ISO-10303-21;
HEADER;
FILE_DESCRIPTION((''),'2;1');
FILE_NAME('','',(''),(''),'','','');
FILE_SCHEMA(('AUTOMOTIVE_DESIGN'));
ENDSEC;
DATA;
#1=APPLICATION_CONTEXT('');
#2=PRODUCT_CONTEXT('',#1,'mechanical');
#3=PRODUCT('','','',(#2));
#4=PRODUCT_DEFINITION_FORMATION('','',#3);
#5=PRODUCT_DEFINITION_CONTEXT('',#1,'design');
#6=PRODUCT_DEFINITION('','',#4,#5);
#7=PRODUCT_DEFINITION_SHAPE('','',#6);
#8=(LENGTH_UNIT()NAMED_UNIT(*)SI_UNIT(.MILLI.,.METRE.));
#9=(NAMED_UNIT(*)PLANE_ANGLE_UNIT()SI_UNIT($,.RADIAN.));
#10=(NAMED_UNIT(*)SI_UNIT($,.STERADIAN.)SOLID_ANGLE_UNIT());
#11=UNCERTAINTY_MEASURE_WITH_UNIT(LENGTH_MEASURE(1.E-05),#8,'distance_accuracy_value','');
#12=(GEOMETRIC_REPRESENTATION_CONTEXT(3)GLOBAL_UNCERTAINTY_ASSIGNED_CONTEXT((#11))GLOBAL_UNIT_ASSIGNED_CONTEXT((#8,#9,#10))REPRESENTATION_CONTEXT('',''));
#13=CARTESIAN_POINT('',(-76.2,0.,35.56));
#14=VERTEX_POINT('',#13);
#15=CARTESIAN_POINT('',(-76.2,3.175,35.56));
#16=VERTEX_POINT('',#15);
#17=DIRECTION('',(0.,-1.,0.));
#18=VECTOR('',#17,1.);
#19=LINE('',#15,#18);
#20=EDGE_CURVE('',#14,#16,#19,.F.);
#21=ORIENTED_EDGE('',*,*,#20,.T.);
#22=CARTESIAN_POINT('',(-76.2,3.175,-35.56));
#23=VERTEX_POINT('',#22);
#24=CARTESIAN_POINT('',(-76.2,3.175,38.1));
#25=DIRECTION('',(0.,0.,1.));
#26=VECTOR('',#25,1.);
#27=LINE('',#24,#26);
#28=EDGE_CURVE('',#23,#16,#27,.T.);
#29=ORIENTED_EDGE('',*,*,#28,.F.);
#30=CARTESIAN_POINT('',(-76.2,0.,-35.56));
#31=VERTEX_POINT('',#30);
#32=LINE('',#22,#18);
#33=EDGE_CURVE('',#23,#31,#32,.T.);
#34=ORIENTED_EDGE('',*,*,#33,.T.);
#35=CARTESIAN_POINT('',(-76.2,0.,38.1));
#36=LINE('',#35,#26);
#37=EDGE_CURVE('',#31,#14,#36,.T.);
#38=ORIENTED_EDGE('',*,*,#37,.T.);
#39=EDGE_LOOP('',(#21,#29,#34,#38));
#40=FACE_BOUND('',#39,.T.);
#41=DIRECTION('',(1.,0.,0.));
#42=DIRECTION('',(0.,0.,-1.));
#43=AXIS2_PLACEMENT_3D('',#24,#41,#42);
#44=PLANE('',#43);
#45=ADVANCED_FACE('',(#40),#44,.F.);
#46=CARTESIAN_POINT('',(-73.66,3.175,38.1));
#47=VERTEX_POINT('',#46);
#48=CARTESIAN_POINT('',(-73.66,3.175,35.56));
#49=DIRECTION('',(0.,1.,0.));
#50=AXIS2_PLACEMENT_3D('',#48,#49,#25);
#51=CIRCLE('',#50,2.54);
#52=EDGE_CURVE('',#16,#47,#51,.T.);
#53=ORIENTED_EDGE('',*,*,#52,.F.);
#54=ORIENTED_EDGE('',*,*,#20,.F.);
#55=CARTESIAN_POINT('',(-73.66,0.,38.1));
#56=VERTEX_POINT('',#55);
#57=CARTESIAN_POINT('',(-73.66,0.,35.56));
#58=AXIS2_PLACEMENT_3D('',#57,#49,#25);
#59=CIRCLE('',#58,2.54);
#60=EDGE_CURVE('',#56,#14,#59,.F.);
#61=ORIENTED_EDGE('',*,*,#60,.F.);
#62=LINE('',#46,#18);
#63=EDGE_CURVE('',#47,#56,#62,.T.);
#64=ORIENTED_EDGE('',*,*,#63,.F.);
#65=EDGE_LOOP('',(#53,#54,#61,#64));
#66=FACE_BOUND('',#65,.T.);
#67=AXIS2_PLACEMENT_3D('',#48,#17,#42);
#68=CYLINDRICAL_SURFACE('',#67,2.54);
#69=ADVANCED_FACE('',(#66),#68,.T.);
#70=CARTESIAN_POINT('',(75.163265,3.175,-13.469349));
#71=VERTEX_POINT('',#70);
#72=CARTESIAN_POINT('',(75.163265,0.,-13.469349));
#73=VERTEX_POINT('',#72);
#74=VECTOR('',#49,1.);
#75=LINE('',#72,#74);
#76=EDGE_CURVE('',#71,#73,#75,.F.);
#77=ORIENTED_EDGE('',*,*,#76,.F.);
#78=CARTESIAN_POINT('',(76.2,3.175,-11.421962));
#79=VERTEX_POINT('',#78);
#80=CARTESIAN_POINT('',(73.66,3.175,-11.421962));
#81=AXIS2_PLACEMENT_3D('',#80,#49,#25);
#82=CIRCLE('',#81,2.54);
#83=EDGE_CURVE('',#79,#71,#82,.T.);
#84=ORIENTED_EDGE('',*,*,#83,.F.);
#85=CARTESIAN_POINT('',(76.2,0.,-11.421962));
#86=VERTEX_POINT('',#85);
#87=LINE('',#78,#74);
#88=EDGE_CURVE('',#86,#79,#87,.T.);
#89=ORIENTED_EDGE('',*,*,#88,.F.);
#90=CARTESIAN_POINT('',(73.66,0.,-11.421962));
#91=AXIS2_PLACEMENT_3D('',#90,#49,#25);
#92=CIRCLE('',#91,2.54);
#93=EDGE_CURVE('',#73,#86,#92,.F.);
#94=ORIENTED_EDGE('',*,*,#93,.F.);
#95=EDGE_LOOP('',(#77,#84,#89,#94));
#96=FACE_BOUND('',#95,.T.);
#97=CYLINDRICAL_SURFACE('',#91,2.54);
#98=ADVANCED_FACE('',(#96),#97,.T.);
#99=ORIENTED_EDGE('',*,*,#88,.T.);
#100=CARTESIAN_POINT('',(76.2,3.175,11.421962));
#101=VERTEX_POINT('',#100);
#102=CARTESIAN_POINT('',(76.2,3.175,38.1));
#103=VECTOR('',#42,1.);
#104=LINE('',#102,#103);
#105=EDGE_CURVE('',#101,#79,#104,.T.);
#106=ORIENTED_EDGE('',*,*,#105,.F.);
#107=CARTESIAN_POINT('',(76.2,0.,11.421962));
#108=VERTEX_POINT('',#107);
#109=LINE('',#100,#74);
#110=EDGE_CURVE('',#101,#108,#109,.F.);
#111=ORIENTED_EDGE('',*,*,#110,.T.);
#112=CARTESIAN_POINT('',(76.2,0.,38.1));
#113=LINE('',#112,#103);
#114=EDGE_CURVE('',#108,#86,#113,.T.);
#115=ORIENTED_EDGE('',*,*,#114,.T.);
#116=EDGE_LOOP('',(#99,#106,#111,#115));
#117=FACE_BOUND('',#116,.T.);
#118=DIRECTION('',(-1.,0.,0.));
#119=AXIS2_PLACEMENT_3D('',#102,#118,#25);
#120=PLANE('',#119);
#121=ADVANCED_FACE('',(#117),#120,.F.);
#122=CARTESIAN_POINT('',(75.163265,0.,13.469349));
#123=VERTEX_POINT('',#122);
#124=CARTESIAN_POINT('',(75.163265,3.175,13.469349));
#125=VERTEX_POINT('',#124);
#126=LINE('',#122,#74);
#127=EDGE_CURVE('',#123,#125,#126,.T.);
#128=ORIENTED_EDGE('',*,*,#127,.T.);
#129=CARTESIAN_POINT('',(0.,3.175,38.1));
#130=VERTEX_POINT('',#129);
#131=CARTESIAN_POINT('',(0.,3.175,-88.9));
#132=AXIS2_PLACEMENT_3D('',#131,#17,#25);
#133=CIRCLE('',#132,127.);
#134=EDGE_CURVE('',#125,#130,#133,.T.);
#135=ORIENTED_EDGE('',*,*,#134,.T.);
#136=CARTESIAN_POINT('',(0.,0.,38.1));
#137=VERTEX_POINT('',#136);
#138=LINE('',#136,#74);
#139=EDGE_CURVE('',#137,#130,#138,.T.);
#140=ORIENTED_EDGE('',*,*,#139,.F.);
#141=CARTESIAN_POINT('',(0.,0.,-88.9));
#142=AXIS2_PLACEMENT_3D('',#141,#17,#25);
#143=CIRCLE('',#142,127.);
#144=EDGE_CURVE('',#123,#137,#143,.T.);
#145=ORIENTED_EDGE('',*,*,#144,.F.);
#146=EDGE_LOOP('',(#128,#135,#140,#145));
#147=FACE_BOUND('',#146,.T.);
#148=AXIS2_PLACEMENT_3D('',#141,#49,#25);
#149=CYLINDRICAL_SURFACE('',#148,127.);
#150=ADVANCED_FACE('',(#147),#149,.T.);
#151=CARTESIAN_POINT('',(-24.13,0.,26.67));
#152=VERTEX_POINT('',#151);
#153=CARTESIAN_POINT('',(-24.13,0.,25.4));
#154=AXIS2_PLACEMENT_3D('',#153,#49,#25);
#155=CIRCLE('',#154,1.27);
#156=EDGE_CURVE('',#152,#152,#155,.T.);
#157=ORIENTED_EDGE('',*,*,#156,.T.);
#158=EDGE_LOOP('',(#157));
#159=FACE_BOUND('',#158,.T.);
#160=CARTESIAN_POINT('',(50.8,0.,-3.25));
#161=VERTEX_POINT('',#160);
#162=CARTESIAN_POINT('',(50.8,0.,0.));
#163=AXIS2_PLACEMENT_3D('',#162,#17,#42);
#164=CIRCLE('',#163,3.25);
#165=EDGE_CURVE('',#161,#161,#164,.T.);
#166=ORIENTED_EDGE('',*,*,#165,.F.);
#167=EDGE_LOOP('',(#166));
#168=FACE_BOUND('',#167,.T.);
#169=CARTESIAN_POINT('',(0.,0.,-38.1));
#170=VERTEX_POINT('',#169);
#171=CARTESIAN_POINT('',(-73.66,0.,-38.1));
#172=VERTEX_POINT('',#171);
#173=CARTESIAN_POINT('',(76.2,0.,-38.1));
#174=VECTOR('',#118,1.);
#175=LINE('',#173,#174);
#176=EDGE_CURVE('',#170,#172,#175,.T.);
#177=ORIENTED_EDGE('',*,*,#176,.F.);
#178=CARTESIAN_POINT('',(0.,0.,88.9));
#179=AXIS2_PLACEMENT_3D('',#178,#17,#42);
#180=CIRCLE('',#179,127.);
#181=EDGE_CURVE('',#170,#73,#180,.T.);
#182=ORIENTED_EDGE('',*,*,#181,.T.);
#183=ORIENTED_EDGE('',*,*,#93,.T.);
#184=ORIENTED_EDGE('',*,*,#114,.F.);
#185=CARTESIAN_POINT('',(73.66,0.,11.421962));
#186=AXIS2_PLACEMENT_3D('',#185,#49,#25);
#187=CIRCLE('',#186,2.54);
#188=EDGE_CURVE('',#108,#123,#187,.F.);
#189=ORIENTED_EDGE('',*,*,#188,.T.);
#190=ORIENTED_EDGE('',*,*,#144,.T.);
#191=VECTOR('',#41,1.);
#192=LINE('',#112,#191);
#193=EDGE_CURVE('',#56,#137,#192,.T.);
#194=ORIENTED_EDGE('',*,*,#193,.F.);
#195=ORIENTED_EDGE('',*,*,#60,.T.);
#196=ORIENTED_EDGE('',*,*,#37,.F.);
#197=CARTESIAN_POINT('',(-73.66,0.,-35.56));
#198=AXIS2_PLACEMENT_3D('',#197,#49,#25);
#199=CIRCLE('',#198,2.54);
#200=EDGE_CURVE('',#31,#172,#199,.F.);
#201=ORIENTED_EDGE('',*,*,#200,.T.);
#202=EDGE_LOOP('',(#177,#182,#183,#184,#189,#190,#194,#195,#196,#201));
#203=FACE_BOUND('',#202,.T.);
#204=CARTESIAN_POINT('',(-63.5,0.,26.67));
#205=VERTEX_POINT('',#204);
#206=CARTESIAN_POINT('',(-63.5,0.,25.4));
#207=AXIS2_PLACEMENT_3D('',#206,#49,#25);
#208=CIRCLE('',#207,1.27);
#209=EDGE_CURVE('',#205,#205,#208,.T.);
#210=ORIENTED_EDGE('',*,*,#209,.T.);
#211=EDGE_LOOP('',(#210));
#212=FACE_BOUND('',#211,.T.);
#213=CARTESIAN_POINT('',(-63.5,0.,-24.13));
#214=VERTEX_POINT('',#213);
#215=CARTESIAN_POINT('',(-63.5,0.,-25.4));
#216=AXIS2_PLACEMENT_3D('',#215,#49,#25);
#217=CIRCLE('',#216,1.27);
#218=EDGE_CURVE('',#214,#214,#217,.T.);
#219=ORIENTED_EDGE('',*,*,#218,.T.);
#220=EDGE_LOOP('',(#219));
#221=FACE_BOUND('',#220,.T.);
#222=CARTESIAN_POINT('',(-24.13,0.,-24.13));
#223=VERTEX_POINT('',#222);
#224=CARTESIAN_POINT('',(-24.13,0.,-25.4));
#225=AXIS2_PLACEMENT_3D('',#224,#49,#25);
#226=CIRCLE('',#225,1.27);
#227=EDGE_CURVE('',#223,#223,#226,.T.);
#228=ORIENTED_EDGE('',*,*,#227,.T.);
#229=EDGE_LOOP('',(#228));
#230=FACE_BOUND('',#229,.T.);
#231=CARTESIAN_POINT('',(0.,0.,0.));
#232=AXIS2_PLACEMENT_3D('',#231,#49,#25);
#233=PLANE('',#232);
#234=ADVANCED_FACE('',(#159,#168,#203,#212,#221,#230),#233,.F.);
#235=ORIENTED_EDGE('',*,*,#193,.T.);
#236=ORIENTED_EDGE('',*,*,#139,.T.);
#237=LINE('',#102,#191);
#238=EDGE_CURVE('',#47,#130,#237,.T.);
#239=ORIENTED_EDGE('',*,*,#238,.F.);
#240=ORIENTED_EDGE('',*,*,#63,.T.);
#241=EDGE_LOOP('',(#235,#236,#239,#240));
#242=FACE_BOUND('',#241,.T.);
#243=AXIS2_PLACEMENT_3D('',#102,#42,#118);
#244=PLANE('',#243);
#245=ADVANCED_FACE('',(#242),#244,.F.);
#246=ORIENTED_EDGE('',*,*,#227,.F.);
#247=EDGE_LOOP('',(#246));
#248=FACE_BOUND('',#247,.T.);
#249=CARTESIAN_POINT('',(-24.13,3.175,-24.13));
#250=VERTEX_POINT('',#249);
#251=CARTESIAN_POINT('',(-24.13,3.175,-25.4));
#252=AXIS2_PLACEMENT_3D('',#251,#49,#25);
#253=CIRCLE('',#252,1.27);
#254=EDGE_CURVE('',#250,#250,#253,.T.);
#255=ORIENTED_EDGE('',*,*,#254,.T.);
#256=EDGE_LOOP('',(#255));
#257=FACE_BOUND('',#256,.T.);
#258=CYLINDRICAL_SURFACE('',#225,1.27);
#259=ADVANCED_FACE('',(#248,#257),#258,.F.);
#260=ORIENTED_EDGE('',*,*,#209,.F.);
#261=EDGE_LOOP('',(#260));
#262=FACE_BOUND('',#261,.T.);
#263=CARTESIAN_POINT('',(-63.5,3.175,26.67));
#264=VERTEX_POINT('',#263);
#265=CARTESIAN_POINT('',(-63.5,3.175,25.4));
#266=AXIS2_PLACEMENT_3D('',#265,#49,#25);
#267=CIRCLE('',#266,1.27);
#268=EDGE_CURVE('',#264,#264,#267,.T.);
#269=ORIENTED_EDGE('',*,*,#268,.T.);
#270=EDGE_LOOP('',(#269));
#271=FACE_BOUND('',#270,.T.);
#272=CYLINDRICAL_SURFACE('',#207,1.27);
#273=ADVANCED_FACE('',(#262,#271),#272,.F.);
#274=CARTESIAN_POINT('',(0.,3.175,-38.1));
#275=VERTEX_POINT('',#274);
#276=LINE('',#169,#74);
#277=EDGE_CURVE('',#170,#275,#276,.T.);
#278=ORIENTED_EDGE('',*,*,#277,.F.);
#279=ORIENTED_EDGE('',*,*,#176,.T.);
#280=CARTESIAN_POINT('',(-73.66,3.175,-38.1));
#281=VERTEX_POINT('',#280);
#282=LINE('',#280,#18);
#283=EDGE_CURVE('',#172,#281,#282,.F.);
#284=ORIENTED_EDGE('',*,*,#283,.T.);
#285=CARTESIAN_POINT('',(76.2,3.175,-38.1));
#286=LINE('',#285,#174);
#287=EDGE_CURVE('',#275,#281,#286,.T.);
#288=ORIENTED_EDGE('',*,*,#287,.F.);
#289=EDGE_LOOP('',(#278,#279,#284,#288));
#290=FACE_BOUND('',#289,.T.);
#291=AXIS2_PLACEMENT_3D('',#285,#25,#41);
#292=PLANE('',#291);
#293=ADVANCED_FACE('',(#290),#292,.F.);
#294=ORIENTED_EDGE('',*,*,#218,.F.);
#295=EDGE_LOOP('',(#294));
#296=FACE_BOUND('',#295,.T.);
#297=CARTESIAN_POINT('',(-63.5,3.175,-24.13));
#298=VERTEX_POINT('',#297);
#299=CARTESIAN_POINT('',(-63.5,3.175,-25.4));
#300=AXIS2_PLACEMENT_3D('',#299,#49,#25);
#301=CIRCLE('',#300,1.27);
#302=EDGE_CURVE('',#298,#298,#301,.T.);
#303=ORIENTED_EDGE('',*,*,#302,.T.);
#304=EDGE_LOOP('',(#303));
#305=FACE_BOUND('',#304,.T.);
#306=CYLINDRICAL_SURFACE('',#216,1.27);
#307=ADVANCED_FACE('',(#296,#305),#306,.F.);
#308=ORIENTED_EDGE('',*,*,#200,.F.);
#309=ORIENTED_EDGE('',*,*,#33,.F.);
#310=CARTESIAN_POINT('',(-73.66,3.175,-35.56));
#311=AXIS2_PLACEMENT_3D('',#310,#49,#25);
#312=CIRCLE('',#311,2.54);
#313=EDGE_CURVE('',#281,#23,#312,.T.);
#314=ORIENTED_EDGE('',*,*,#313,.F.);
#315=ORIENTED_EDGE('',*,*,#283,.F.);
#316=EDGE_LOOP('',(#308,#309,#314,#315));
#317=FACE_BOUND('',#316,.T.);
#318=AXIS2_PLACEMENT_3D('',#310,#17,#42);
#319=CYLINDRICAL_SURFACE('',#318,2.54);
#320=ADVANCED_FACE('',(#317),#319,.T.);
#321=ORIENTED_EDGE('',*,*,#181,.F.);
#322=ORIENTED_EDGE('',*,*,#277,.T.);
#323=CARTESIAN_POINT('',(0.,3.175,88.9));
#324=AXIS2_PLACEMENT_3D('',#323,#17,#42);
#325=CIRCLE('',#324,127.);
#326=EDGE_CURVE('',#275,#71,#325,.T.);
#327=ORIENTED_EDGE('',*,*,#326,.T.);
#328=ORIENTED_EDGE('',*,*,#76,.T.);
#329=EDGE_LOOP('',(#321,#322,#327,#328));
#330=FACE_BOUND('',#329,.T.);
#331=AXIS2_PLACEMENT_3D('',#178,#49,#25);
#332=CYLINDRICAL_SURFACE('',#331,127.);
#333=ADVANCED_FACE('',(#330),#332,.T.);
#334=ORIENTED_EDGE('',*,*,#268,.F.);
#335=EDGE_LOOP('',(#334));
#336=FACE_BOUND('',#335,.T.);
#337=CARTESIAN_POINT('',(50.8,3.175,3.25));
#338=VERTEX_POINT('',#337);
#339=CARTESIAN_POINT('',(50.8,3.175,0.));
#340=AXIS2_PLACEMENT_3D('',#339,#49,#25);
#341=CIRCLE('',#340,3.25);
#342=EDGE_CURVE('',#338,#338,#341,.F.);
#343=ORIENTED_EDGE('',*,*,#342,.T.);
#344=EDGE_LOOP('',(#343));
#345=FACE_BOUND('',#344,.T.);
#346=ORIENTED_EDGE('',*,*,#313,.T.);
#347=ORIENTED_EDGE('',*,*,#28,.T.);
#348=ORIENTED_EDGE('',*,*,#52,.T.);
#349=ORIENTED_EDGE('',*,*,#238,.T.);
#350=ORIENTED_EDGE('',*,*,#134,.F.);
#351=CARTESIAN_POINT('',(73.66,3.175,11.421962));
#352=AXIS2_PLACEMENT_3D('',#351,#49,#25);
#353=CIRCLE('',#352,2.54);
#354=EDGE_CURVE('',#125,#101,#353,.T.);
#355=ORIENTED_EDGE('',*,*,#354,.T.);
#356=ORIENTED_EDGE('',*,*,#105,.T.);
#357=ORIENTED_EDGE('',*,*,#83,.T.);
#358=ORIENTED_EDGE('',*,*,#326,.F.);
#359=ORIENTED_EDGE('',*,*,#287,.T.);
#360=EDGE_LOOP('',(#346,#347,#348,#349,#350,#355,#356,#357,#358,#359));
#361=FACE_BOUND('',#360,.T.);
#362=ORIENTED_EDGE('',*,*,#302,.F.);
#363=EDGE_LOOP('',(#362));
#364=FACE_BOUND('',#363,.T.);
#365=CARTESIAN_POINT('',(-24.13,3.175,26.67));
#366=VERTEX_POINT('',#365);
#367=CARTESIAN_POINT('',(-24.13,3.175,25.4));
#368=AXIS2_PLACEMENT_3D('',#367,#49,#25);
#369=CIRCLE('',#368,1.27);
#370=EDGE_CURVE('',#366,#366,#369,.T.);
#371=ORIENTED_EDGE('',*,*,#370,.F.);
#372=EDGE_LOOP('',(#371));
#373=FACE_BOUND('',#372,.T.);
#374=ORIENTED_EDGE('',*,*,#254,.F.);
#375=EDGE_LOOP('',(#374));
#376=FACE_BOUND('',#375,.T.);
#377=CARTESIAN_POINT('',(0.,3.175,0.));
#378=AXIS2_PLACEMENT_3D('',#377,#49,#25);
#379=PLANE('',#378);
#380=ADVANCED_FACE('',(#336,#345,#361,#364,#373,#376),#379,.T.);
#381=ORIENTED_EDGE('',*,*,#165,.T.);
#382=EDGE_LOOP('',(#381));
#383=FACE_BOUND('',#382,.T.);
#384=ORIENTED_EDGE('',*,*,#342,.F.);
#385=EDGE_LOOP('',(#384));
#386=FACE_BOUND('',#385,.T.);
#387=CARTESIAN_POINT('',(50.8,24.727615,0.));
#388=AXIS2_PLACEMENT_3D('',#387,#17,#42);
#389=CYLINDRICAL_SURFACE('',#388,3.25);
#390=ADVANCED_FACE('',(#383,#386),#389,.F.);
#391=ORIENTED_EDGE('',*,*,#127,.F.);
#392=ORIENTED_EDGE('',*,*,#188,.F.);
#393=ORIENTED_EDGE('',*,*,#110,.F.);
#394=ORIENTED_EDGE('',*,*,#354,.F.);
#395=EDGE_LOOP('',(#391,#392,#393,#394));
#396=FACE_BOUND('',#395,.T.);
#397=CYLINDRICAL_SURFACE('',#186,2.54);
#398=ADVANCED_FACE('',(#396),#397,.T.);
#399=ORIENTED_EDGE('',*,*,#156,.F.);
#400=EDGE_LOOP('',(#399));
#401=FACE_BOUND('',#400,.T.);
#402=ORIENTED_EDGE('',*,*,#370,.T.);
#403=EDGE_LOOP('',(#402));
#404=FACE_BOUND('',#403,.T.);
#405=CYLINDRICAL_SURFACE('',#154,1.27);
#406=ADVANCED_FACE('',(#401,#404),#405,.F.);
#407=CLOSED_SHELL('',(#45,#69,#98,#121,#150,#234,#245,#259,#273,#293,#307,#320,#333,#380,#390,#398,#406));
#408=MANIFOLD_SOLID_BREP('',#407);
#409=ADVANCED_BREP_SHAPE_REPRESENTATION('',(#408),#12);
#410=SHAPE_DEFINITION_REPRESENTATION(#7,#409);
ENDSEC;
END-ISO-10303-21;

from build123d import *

# Parameters (mm, degrees)
SKETCH1_W           = 152.4
SKETCH1_H           = 76.2
BOSS_EXTRUDE1_DEPTH = 3.175
CUT_EXTRUDE1_DEPTH  = 3.175
FILLET2_R           = 2.54
FILLET3_R           = 2.54
SKETCH5_R           = 7.62
CUT_EXTRUDE2_DEPTH  = 3.175
SKETCH6_R           = 1.27
CUT_EXTRUDE3_DEPTH  = 3.175
BOSS_EXTRUDE2_START = -3.175
SKETCH7_R           = 7.62
SKETCH7_R_2         = 3.25
BOSS_EXTRUDE2_DEPTH = 3.175


with BuildPart() as part:
    # Sketch1 → Boss-Extrude1 (new body)
    with BuildSketch(Plane(origin=(0, 0, 0), x_dir=(1, 0, 0), z_dir=(0, 1, 0))):
        Rectangle(SKETCH1_W, SKETCH1_H)
    extrude(amount=BOSS_EXTRUDE1_DEPTH)

    # Sketch4 → Cut-Extrude1 (cut)
    with BuildSketch(Plane(origin=(0, 3.175, 0), x_dir=(1, 0, 0), z_dir=(0, 1, 0))):
        with BuildLine():
            Line((0, 38.1), (76.2, 38.1))
            Line((76.2, 38.1), (76.2, 12.7))
            ThreePointArc((76.2, 12.7), (40.160926284, 31.582778852), (0, 38.1))
        make_face()
        with BuildLine():
            Line((76.2, -38.1), (76.2, -12.7))
            ThreePointArc((76.2, -12.7), (40.160926284, -31.582778852), (0, -38.1))
            Line((0, -38.1), (76.2, -38.1))
        make_face()
    extrude(amount=-CUT_EXTRUDE1_DEPTH, mode=Mode.SUBTRACT)

    # Fillet2
    fillet2_edges = [part.edges().sort_by_distance(p)[0] for p in [
        (76.2, 1.5875, -12.7),
        (76.2, 1.5875, 12.7),
    ]]
    fillet(fillet2_edges, radius=FILLET2_R)

    # Fillet3
    fillet3_edges = [part.edges().sort_by_distance(p)[0] for p in [
        (-76.2, 1.5875, -38.1),
        (-76.2, 1.5875, 38.1),
    ]]
    fillet(fillet3_edges, radius=FILLET3_R)

    # Sketch5 → Cut-Extrude2 (cut)
    with BuildSketch(Plane(origin=(0, 3.175, 0), x_dir=(1, 0, 0), z_dir=(0, 1, 0))):
        with Locations(Location((50.8, 0, 0), (0, 0, 270))):
            Circle(SKETCH5_R)
    extrude(amount=-CUT_EXTRUDE2_DEPTH, mode=Mode.SUBTRACT)

    # Sketch6 → Cut-Extrude3 (cut)
    with BuildSketch(Plane(origin=(0, 3.175, 0), x_dir=(1, 0, 0), z_dir=(0, 1, 0))):
        with Locations(Location((-63.5, 25.4, 0), (0, 0, 270))):
            Circle(SKETCH6_R)
        with Locations(Location((-63.5, -25.4, 0), (0, 0, 270))):
            Circle(SKETCH6_R)
        with Locations(Location((-24.13, 25.4, 0), (0, 0, 270))):
            Circle(SKETCH6_R)
        with Locations(Location((-24.13, -25.4, 0), (0, 0, 270))):
            Circle(SKETCH6_R)
    extrude(amount=-CUT_EXTRUDE3_DEPTH, mode=Mode.SUBTRACT)

    # Sketch7 → Boss-Extrude2 (add)
    with BuildSketch(Plane.XZ.offset(BOSS_EXTRUDE2_START)):
        with Locations((50.8, 0)):
            Circle(SKETCH7_R)
        with Locations(Location((50.8, 0, 0), (0, 0, 270))):
            Circle(SKETCH7_R_2, mode=Mode.SUBTRACT)
    extrude(amount=BOSS_EXTRUDE2_DEPTH)


solid = part.part
